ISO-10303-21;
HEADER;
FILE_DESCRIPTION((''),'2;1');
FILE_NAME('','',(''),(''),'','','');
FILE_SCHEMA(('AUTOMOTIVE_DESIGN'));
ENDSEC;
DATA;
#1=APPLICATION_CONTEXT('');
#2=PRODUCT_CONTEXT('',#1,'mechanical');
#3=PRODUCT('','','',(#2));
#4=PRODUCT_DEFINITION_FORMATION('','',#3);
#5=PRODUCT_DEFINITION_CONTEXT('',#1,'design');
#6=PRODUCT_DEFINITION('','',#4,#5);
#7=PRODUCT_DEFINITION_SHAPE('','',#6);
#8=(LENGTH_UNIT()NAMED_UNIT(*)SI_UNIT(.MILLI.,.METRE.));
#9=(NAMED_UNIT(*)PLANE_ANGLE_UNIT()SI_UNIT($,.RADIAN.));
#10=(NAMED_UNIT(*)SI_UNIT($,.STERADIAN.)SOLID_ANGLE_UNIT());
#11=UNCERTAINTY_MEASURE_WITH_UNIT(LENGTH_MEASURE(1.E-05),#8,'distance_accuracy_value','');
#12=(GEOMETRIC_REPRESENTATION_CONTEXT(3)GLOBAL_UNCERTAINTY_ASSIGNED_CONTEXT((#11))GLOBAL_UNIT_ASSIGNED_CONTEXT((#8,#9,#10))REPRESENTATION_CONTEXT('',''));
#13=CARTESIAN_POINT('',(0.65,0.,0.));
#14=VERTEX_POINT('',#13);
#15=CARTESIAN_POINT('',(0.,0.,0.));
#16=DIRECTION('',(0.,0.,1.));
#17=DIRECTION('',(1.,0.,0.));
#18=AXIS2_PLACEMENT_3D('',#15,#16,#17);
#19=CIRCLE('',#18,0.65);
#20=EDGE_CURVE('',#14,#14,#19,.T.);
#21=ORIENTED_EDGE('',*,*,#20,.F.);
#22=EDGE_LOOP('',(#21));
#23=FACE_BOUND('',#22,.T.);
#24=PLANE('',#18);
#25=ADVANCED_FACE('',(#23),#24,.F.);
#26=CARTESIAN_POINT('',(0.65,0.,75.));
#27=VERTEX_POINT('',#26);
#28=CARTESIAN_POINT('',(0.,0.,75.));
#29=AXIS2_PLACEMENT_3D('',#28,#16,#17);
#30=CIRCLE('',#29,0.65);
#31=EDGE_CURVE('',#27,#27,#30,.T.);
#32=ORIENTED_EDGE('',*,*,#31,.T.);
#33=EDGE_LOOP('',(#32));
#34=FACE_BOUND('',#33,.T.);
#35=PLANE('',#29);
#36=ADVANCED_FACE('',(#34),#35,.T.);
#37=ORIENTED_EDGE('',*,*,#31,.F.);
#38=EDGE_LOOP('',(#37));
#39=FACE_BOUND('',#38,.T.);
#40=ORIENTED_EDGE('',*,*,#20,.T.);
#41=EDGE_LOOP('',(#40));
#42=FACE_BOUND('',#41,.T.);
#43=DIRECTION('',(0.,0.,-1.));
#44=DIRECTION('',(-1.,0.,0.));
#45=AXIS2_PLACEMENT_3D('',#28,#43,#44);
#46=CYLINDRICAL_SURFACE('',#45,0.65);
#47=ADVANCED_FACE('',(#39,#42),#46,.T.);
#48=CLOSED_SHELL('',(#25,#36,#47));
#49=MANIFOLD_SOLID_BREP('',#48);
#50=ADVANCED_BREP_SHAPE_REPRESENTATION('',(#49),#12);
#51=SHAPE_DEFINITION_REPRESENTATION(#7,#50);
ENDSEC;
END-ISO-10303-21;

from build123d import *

# Parameters (mm, degrees)
SKETCH1_R           = 0.65
BOSS_EXTRUDE1_DEPTH = 75


with BuildPart() as part:
    # Sketch1 → Boss-Extrude1 (new body)
    with BuildSketch(Plane.XY):
        Circle(SKETCH1_R)
    extrude(amount=BOSS_EXTRUDE1_DEPTH)


solid = part.part
